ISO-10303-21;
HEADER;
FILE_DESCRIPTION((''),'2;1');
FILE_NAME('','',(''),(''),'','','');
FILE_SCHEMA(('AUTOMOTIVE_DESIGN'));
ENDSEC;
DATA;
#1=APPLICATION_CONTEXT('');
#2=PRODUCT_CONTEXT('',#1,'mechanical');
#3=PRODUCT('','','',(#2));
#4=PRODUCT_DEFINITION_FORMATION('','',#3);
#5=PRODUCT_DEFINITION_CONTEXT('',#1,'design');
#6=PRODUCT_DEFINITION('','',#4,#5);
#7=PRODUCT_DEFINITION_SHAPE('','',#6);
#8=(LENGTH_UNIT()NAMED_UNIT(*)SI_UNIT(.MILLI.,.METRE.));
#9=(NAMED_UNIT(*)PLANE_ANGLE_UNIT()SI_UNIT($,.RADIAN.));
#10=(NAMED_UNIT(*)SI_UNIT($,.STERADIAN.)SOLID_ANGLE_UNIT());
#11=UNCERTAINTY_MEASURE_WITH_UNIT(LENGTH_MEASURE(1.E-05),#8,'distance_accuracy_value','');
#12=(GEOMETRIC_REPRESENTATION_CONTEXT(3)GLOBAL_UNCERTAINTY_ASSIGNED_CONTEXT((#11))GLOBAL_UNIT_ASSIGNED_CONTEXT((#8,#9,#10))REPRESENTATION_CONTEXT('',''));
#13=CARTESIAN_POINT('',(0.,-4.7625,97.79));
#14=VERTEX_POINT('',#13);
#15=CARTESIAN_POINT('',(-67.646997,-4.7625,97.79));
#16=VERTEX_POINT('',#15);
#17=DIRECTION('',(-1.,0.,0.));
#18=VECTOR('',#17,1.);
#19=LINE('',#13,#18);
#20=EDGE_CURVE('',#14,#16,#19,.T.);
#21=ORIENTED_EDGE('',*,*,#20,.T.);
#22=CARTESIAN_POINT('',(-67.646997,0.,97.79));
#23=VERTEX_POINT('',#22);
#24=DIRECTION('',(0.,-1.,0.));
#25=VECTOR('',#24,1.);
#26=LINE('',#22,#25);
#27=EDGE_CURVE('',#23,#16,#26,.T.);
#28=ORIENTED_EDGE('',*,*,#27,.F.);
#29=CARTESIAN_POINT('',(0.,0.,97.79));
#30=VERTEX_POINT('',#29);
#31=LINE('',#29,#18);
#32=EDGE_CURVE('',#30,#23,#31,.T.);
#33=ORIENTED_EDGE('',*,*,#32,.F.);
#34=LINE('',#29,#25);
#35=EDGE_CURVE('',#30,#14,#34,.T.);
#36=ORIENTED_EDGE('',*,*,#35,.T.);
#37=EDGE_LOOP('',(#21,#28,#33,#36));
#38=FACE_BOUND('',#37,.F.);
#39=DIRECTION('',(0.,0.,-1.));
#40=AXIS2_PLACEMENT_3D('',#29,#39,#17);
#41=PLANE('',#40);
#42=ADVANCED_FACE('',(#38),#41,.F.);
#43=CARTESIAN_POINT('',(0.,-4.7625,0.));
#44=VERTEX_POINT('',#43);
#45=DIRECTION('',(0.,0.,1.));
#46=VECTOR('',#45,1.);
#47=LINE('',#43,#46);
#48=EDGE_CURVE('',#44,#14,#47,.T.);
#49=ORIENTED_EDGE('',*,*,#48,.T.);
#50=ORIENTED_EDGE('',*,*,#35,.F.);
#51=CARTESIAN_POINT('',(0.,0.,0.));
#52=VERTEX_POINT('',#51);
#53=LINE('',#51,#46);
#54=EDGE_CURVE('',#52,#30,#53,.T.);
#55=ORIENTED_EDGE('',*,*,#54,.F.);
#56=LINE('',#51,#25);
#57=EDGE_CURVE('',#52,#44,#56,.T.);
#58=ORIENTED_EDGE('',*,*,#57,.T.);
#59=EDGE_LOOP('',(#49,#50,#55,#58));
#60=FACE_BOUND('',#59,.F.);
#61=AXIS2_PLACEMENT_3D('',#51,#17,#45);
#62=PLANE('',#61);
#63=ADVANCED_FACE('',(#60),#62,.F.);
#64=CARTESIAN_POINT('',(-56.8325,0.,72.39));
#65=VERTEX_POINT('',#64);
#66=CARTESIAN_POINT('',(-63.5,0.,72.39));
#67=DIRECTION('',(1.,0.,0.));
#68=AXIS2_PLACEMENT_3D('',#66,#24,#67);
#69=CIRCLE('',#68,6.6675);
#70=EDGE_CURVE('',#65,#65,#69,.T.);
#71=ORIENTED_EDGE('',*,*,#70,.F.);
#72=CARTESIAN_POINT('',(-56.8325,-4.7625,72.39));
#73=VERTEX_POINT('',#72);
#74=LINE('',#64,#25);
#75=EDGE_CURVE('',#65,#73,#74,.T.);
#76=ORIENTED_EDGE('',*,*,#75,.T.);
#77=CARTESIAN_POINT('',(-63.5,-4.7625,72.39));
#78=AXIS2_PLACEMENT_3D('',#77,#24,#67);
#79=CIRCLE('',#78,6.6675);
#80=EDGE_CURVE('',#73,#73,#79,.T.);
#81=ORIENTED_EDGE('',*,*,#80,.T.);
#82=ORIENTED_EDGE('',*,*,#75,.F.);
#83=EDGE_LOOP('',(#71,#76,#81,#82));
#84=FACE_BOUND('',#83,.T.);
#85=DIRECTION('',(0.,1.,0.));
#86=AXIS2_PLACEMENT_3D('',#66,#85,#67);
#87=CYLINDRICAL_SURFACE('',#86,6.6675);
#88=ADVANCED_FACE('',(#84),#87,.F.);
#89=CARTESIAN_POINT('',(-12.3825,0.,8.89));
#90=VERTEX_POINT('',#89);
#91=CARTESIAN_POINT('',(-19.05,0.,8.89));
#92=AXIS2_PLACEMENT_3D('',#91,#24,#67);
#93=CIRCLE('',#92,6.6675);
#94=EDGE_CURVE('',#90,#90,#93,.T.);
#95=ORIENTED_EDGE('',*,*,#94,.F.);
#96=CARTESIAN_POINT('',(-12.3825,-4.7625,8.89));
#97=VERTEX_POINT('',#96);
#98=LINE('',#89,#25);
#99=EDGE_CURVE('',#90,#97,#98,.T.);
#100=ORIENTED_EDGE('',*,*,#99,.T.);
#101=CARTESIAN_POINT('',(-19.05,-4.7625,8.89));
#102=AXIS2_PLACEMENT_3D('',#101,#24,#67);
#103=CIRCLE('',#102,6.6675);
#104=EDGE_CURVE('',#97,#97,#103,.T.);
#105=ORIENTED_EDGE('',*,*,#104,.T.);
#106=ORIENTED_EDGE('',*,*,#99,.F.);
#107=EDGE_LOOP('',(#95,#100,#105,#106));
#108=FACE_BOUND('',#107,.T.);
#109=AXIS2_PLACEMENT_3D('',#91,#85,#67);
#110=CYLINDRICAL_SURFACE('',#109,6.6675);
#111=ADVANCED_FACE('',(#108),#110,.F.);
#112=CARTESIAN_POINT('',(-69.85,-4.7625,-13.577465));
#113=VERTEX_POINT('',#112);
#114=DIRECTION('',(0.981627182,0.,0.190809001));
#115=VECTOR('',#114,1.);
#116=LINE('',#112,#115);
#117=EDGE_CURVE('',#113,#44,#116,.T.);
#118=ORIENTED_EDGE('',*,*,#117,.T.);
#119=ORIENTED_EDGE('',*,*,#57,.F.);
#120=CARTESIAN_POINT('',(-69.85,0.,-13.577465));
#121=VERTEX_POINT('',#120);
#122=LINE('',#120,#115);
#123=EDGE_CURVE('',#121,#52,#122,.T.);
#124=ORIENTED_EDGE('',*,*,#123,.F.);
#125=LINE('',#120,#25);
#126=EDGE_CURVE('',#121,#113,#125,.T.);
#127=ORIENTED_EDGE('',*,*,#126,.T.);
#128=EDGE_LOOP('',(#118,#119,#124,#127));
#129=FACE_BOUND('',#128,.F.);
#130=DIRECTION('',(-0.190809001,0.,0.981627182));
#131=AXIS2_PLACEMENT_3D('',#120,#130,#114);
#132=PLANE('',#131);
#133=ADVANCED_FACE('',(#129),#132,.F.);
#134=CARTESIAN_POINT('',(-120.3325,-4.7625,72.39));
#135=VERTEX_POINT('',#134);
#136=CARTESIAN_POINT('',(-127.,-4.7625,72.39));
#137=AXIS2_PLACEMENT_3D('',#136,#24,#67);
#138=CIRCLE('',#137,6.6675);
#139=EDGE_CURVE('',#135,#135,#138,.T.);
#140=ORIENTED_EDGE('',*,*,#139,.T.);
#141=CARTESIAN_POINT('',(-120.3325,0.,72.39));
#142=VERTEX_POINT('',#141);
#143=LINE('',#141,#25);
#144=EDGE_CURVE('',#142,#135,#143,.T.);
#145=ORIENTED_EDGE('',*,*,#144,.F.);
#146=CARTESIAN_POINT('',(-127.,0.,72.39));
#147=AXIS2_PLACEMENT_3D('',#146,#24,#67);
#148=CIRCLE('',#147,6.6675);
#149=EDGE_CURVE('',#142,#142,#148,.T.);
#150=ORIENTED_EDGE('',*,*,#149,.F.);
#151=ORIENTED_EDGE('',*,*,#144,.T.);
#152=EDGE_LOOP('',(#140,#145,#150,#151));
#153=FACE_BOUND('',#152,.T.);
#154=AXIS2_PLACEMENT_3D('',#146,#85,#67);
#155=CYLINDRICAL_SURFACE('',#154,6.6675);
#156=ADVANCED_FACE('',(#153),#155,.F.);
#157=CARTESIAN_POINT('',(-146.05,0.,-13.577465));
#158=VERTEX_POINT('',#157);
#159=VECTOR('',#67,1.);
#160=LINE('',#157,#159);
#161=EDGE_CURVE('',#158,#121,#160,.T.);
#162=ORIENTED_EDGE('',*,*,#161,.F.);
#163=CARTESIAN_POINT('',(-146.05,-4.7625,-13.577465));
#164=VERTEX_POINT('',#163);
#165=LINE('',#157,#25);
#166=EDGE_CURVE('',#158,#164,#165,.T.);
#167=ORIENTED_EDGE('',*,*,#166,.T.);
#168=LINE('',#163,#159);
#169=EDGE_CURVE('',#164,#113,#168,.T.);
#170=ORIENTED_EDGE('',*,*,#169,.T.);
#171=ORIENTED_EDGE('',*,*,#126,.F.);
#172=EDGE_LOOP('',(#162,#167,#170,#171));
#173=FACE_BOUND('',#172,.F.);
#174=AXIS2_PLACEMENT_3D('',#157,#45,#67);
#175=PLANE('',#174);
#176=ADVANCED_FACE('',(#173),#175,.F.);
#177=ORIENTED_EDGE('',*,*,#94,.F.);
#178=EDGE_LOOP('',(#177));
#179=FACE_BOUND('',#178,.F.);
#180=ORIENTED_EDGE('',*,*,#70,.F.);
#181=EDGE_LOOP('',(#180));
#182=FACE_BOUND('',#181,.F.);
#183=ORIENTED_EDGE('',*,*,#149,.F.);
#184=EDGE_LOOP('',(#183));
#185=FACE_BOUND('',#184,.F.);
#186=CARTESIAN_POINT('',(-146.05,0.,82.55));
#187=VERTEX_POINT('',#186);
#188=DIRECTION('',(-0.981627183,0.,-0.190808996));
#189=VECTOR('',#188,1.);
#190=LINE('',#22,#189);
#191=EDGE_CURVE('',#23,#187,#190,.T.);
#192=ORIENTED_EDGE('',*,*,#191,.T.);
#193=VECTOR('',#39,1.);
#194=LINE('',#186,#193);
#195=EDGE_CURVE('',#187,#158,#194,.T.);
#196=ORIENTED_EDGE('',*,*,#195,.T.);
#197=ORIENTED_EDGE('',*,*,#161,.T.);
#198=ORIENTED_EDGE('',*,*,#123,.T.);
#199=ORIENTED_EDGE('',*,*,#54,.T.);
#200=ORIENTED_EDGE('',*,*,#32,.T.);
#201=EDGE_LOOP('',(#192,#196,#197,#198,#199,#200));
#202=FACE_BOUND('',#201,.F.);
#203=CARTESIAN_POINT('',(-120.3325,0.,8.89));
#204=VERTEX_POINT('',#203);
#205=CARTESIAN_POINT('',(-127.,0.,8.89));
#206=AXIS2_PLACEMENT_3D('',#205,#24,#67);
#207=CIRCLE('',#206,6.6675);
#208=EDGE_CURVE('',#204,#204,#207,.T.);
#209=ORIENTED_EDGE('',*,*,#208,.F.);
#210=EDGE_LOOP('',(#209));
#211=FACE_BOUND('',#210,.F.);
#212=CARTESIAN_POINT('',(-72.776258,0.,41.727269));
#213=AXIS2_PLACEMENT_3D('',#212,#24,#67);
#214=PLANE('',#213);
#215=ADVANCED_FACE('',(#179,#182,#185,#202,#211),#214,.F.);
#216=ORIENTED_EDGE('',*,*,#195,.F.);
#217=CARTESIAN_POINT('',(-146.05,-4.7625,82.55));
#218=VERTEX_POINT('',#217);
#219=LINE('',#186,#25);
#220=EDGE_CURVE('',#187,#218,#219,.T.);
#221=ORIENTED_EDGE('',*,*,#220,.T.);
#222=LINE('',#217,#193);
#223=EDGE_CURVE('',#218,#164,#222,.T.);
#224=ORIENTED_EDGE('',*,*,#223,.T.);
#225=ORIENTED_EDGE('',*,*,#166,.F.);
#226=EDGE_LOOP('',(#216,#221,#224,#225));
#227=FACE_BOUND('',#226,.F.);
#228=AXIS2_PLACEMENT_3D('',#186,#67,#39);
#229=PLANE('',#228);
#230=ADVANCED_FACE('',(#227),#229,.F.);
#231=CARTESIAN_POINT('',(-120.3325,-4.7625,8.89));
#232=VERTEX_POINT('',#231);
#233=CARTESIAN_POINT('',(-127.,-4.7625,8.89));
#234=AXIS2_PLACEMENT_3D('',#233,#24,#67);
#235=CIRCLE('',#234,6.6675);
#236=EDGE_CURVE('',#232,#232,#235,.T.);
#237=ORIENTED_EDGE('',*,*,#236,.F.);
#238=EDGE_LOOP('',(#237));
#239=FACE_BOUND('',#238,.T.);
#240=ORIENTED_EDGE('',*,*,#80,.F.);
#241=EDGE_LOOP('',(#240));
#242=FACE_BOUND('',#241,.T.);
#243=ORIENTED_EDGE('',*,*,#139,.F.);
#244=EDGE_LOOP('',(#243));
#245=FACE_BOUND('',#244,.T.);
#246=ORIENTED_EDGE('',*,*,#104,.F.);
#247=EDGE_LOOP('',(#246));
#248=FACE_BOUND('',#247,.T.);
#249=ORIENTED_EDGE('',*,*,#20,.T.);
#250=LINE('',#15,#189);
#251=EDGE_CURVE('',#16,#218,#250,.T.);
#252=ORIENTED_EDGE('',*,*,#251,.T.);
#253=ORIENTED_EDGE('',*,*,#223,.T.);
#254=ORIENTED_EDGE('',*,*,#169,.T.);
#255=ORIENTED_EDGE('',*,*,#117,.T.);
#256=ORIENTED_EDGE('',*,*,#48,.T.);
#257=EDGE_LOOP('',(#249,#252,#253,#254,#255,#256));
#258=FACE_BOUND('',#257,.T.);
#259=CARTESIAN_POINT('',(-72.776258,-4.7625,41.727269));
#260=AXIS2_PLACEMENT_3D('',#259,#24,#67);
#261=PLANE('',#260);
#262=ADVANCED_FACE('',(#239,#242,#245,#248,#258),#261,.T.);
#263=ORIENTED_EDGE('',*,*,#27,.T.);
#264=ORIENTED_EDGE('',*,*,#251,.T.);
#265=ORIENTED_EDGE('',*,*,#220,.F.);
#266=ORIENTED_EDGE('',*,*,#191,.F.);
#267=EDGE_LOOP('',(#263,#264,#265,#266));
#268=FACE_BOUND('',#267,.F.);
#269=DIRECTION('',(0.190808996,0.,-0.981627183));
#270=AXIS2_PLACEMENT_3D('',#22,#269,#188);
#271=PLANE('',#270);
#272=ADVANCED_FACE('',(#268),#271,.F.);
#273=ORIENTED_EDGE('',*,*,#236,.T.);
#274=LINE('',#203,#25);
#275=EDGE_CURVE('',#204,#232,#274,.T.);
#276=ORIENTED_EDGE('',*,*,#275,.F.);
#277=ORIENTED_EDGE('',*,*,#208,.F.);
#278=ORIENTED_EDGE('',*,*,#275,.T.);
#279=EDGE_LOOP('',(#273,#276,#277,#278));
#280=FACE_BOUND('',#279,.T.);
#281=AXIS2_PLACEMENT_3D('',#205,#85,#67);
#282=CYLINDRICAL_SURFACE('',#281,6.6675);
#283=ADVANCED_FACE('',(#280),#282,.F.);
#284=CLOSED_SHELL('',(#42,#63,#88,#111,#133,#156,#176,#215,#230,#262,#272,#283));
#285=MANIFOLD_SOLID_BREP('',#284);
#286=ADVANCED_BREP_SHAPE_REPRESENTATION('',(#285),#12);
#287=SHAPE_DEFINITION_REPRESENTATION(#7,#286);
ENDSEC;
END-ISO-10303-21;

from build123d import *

# Parameters (mm, degrees)
F0_R     = 6.6675
F1_DEPTH = 4.7625


with BuildPart() as f1:
    # F0 (on Front) → F1 (new body)
    with BuildSketch(Plane.XZ):
        Polygon((-67.646997, 97.79), (-146.05, 82.55), (-146.05, -13.577465), (-69.85, -13.577465), (0, 0), (0, 97.79), align=None)
        with Locations((-127, 8.89)):
            Circle(F0_R, mode=Mode.SUBTRACT)
        with Locations((-19.05, 8.89)):
            Circle(F0_R, mode=Mode.SUBTRACT)
        with Locations((-127, 72.39)):
            Circle(F0_R, mode=Mode.SUBTRACT)
        with Locations((-63.5, 72.39)):
            Circle(F0_R, mode=Mode.SUBTRACT)
    extrude(amount=F1_DEPTH)


solid = f1.part
